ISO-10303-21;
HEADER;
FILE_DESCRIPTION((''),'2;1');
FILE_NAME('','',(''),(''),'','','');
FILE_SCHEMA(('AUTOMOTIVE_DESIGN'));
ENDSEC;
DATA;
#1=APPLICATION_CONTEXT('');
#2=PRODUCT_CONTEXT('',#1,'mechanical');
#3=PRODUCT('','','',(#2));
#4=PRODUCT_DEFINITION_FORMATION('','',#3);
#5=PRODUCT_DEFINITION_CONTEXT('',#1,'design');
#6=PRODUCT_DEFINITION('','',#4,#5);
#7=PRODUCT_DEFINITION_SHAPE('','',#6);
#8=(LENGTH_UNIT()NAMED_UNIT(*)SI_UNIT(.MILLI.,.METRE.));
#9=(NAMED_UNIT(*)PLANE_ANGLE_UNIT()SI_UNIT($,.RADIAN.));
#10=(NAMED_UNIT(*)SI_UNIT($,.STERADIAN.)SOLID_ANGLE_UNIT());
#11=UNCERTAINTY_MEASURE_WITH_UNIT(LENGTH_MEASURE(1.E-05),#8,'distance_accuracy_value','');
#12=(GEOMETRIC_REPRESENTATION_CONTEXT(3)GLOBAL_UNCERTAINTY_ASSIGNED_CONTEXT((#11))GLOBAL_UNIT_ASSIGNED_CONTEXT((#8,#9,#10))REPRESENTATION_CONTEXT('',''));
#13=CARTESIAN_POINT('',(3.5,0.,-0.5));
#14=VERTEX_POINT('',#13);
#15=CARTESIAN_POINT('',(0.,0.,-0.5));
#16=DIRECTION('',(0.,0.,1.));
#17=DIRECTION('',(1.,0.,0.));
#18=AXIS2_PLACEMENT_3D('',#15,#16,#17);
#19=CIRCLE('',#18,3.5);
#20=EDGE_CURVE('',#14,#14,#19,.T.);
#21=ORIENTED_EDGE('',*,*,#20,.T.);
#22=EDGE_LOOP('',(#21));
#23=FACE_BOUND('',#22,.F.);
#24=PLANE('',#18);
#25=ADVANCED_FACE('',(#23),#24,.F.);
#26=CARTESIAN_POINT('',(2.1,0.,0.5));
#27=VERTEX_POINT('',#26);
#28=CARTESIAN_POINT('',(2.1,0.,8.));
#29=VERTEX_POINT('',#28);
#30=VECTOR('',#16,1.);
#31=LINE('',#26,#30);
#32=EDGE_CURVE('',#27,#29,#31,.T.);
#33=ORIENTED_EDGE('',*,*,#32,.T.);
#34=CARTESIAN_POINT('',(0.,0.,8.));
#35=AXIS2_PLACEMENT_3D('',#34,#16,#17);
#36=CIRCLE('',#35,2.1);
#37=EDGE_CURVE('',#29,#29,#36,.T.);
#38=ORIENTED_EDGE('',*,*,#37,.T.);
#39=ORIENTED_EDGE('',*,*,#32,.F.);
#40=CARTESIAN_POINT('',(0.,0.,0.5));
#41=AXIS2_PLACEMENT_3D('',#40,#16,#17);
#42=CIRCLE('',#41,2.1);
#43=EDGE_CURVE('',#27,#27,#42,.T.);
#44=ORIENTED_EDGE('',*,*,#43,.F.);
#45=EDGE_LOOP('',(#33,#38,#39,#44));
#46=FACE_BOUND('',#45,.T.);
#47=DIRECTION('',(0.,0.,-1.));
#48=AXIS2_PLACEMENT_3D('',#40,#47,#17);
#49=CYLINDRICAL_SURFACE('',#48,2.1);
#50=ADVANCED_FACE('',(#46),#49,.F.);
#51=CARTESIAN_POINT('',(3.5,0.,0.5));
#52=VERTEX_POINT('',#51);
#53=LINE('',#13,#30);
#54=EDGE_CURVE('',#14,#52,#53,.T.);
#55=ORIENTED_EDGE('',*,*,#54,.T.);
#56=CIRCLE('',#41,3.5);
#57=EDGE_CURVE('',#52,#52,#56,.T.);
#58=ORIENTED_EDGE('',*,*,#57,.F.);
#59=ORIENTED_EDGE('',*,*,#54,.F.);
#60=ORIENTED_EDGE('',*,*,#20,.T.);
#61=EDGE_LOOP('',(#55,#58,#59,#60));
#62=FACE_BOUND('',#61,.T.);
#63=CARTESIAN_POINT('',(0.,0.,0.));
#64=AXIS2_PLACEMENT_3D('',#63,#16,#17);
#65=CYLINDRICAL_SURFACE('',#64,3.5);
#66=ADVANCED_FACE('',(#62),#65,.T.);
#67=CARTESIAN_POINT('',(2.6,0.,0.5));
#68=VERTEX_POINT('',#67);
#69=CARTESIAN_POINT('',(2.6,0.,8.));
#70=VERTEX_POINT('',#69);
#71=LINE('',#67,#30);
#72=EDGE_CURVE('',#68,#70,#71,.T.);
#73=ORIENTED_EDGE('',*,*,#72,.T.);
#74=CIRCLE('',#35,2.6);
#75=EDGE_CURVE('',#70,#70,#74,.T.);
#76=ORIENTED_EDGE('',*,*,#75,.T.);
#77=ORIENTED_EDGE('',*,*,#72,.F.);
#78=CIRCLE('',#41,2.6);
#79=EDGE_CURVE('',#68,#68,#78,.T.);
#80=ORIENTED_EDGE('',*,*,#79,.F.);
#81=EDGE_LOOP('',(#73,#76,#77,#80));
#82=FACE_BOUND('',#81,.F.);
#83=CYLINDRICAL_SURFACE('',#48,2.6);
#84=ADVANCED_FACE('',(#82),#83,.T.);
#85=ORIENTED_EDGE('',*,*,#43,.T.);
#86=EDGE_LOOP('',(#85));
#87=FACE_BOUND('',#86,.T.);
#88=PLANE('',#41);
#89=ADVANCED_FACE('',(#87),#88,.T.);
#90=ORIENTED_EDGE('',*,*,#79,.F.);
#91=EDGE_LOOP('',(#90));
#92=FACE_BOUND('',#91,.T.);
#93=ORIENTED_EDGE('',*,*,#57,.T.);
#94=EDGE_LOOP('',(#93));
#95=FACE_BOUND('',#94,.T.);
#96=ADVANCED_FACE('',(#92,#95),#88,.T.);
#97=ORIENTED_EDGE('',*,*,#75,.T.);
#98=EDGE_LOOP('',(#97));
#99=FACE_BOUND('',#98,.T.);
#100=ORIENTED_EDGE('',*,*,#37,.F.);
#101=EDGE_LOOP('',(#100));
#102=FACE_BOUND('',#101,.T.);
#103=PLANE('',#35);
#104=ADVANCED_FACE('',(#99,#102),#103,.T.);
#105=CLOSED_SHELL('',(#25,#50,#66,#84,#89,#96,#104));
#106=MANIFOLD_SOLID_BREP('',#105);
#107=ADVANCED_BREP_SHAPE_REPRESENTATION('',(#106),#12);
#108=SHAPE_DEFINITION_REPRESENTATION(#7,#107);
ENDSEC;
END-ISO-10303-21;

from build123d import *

# Parameters (mm, degrees)
F0_R     = 3.5
F1_DEPTH = 0.5
F2_R     = 2.6
F2_R_2   = 2.1
F3_DEPTH = 7.5


with BuildPart() as f1:
    # F0 (on Top) → F1 (new body, symmetric)
    with BuildSketch(Plane.XY):
        Circle(F0_R)
    extrude(amount=F1_DEPTH, both=True)

    # F2 (on face) → F3 (join)
    with BuildSketch(Plane.XY.offset(0.5)):
        Circle(F2_R)
        Circle(F2_R_2, mode=Mode.SUBTRACT)
    extrude(amount=F3_DEPTH)


solid = f1.part
